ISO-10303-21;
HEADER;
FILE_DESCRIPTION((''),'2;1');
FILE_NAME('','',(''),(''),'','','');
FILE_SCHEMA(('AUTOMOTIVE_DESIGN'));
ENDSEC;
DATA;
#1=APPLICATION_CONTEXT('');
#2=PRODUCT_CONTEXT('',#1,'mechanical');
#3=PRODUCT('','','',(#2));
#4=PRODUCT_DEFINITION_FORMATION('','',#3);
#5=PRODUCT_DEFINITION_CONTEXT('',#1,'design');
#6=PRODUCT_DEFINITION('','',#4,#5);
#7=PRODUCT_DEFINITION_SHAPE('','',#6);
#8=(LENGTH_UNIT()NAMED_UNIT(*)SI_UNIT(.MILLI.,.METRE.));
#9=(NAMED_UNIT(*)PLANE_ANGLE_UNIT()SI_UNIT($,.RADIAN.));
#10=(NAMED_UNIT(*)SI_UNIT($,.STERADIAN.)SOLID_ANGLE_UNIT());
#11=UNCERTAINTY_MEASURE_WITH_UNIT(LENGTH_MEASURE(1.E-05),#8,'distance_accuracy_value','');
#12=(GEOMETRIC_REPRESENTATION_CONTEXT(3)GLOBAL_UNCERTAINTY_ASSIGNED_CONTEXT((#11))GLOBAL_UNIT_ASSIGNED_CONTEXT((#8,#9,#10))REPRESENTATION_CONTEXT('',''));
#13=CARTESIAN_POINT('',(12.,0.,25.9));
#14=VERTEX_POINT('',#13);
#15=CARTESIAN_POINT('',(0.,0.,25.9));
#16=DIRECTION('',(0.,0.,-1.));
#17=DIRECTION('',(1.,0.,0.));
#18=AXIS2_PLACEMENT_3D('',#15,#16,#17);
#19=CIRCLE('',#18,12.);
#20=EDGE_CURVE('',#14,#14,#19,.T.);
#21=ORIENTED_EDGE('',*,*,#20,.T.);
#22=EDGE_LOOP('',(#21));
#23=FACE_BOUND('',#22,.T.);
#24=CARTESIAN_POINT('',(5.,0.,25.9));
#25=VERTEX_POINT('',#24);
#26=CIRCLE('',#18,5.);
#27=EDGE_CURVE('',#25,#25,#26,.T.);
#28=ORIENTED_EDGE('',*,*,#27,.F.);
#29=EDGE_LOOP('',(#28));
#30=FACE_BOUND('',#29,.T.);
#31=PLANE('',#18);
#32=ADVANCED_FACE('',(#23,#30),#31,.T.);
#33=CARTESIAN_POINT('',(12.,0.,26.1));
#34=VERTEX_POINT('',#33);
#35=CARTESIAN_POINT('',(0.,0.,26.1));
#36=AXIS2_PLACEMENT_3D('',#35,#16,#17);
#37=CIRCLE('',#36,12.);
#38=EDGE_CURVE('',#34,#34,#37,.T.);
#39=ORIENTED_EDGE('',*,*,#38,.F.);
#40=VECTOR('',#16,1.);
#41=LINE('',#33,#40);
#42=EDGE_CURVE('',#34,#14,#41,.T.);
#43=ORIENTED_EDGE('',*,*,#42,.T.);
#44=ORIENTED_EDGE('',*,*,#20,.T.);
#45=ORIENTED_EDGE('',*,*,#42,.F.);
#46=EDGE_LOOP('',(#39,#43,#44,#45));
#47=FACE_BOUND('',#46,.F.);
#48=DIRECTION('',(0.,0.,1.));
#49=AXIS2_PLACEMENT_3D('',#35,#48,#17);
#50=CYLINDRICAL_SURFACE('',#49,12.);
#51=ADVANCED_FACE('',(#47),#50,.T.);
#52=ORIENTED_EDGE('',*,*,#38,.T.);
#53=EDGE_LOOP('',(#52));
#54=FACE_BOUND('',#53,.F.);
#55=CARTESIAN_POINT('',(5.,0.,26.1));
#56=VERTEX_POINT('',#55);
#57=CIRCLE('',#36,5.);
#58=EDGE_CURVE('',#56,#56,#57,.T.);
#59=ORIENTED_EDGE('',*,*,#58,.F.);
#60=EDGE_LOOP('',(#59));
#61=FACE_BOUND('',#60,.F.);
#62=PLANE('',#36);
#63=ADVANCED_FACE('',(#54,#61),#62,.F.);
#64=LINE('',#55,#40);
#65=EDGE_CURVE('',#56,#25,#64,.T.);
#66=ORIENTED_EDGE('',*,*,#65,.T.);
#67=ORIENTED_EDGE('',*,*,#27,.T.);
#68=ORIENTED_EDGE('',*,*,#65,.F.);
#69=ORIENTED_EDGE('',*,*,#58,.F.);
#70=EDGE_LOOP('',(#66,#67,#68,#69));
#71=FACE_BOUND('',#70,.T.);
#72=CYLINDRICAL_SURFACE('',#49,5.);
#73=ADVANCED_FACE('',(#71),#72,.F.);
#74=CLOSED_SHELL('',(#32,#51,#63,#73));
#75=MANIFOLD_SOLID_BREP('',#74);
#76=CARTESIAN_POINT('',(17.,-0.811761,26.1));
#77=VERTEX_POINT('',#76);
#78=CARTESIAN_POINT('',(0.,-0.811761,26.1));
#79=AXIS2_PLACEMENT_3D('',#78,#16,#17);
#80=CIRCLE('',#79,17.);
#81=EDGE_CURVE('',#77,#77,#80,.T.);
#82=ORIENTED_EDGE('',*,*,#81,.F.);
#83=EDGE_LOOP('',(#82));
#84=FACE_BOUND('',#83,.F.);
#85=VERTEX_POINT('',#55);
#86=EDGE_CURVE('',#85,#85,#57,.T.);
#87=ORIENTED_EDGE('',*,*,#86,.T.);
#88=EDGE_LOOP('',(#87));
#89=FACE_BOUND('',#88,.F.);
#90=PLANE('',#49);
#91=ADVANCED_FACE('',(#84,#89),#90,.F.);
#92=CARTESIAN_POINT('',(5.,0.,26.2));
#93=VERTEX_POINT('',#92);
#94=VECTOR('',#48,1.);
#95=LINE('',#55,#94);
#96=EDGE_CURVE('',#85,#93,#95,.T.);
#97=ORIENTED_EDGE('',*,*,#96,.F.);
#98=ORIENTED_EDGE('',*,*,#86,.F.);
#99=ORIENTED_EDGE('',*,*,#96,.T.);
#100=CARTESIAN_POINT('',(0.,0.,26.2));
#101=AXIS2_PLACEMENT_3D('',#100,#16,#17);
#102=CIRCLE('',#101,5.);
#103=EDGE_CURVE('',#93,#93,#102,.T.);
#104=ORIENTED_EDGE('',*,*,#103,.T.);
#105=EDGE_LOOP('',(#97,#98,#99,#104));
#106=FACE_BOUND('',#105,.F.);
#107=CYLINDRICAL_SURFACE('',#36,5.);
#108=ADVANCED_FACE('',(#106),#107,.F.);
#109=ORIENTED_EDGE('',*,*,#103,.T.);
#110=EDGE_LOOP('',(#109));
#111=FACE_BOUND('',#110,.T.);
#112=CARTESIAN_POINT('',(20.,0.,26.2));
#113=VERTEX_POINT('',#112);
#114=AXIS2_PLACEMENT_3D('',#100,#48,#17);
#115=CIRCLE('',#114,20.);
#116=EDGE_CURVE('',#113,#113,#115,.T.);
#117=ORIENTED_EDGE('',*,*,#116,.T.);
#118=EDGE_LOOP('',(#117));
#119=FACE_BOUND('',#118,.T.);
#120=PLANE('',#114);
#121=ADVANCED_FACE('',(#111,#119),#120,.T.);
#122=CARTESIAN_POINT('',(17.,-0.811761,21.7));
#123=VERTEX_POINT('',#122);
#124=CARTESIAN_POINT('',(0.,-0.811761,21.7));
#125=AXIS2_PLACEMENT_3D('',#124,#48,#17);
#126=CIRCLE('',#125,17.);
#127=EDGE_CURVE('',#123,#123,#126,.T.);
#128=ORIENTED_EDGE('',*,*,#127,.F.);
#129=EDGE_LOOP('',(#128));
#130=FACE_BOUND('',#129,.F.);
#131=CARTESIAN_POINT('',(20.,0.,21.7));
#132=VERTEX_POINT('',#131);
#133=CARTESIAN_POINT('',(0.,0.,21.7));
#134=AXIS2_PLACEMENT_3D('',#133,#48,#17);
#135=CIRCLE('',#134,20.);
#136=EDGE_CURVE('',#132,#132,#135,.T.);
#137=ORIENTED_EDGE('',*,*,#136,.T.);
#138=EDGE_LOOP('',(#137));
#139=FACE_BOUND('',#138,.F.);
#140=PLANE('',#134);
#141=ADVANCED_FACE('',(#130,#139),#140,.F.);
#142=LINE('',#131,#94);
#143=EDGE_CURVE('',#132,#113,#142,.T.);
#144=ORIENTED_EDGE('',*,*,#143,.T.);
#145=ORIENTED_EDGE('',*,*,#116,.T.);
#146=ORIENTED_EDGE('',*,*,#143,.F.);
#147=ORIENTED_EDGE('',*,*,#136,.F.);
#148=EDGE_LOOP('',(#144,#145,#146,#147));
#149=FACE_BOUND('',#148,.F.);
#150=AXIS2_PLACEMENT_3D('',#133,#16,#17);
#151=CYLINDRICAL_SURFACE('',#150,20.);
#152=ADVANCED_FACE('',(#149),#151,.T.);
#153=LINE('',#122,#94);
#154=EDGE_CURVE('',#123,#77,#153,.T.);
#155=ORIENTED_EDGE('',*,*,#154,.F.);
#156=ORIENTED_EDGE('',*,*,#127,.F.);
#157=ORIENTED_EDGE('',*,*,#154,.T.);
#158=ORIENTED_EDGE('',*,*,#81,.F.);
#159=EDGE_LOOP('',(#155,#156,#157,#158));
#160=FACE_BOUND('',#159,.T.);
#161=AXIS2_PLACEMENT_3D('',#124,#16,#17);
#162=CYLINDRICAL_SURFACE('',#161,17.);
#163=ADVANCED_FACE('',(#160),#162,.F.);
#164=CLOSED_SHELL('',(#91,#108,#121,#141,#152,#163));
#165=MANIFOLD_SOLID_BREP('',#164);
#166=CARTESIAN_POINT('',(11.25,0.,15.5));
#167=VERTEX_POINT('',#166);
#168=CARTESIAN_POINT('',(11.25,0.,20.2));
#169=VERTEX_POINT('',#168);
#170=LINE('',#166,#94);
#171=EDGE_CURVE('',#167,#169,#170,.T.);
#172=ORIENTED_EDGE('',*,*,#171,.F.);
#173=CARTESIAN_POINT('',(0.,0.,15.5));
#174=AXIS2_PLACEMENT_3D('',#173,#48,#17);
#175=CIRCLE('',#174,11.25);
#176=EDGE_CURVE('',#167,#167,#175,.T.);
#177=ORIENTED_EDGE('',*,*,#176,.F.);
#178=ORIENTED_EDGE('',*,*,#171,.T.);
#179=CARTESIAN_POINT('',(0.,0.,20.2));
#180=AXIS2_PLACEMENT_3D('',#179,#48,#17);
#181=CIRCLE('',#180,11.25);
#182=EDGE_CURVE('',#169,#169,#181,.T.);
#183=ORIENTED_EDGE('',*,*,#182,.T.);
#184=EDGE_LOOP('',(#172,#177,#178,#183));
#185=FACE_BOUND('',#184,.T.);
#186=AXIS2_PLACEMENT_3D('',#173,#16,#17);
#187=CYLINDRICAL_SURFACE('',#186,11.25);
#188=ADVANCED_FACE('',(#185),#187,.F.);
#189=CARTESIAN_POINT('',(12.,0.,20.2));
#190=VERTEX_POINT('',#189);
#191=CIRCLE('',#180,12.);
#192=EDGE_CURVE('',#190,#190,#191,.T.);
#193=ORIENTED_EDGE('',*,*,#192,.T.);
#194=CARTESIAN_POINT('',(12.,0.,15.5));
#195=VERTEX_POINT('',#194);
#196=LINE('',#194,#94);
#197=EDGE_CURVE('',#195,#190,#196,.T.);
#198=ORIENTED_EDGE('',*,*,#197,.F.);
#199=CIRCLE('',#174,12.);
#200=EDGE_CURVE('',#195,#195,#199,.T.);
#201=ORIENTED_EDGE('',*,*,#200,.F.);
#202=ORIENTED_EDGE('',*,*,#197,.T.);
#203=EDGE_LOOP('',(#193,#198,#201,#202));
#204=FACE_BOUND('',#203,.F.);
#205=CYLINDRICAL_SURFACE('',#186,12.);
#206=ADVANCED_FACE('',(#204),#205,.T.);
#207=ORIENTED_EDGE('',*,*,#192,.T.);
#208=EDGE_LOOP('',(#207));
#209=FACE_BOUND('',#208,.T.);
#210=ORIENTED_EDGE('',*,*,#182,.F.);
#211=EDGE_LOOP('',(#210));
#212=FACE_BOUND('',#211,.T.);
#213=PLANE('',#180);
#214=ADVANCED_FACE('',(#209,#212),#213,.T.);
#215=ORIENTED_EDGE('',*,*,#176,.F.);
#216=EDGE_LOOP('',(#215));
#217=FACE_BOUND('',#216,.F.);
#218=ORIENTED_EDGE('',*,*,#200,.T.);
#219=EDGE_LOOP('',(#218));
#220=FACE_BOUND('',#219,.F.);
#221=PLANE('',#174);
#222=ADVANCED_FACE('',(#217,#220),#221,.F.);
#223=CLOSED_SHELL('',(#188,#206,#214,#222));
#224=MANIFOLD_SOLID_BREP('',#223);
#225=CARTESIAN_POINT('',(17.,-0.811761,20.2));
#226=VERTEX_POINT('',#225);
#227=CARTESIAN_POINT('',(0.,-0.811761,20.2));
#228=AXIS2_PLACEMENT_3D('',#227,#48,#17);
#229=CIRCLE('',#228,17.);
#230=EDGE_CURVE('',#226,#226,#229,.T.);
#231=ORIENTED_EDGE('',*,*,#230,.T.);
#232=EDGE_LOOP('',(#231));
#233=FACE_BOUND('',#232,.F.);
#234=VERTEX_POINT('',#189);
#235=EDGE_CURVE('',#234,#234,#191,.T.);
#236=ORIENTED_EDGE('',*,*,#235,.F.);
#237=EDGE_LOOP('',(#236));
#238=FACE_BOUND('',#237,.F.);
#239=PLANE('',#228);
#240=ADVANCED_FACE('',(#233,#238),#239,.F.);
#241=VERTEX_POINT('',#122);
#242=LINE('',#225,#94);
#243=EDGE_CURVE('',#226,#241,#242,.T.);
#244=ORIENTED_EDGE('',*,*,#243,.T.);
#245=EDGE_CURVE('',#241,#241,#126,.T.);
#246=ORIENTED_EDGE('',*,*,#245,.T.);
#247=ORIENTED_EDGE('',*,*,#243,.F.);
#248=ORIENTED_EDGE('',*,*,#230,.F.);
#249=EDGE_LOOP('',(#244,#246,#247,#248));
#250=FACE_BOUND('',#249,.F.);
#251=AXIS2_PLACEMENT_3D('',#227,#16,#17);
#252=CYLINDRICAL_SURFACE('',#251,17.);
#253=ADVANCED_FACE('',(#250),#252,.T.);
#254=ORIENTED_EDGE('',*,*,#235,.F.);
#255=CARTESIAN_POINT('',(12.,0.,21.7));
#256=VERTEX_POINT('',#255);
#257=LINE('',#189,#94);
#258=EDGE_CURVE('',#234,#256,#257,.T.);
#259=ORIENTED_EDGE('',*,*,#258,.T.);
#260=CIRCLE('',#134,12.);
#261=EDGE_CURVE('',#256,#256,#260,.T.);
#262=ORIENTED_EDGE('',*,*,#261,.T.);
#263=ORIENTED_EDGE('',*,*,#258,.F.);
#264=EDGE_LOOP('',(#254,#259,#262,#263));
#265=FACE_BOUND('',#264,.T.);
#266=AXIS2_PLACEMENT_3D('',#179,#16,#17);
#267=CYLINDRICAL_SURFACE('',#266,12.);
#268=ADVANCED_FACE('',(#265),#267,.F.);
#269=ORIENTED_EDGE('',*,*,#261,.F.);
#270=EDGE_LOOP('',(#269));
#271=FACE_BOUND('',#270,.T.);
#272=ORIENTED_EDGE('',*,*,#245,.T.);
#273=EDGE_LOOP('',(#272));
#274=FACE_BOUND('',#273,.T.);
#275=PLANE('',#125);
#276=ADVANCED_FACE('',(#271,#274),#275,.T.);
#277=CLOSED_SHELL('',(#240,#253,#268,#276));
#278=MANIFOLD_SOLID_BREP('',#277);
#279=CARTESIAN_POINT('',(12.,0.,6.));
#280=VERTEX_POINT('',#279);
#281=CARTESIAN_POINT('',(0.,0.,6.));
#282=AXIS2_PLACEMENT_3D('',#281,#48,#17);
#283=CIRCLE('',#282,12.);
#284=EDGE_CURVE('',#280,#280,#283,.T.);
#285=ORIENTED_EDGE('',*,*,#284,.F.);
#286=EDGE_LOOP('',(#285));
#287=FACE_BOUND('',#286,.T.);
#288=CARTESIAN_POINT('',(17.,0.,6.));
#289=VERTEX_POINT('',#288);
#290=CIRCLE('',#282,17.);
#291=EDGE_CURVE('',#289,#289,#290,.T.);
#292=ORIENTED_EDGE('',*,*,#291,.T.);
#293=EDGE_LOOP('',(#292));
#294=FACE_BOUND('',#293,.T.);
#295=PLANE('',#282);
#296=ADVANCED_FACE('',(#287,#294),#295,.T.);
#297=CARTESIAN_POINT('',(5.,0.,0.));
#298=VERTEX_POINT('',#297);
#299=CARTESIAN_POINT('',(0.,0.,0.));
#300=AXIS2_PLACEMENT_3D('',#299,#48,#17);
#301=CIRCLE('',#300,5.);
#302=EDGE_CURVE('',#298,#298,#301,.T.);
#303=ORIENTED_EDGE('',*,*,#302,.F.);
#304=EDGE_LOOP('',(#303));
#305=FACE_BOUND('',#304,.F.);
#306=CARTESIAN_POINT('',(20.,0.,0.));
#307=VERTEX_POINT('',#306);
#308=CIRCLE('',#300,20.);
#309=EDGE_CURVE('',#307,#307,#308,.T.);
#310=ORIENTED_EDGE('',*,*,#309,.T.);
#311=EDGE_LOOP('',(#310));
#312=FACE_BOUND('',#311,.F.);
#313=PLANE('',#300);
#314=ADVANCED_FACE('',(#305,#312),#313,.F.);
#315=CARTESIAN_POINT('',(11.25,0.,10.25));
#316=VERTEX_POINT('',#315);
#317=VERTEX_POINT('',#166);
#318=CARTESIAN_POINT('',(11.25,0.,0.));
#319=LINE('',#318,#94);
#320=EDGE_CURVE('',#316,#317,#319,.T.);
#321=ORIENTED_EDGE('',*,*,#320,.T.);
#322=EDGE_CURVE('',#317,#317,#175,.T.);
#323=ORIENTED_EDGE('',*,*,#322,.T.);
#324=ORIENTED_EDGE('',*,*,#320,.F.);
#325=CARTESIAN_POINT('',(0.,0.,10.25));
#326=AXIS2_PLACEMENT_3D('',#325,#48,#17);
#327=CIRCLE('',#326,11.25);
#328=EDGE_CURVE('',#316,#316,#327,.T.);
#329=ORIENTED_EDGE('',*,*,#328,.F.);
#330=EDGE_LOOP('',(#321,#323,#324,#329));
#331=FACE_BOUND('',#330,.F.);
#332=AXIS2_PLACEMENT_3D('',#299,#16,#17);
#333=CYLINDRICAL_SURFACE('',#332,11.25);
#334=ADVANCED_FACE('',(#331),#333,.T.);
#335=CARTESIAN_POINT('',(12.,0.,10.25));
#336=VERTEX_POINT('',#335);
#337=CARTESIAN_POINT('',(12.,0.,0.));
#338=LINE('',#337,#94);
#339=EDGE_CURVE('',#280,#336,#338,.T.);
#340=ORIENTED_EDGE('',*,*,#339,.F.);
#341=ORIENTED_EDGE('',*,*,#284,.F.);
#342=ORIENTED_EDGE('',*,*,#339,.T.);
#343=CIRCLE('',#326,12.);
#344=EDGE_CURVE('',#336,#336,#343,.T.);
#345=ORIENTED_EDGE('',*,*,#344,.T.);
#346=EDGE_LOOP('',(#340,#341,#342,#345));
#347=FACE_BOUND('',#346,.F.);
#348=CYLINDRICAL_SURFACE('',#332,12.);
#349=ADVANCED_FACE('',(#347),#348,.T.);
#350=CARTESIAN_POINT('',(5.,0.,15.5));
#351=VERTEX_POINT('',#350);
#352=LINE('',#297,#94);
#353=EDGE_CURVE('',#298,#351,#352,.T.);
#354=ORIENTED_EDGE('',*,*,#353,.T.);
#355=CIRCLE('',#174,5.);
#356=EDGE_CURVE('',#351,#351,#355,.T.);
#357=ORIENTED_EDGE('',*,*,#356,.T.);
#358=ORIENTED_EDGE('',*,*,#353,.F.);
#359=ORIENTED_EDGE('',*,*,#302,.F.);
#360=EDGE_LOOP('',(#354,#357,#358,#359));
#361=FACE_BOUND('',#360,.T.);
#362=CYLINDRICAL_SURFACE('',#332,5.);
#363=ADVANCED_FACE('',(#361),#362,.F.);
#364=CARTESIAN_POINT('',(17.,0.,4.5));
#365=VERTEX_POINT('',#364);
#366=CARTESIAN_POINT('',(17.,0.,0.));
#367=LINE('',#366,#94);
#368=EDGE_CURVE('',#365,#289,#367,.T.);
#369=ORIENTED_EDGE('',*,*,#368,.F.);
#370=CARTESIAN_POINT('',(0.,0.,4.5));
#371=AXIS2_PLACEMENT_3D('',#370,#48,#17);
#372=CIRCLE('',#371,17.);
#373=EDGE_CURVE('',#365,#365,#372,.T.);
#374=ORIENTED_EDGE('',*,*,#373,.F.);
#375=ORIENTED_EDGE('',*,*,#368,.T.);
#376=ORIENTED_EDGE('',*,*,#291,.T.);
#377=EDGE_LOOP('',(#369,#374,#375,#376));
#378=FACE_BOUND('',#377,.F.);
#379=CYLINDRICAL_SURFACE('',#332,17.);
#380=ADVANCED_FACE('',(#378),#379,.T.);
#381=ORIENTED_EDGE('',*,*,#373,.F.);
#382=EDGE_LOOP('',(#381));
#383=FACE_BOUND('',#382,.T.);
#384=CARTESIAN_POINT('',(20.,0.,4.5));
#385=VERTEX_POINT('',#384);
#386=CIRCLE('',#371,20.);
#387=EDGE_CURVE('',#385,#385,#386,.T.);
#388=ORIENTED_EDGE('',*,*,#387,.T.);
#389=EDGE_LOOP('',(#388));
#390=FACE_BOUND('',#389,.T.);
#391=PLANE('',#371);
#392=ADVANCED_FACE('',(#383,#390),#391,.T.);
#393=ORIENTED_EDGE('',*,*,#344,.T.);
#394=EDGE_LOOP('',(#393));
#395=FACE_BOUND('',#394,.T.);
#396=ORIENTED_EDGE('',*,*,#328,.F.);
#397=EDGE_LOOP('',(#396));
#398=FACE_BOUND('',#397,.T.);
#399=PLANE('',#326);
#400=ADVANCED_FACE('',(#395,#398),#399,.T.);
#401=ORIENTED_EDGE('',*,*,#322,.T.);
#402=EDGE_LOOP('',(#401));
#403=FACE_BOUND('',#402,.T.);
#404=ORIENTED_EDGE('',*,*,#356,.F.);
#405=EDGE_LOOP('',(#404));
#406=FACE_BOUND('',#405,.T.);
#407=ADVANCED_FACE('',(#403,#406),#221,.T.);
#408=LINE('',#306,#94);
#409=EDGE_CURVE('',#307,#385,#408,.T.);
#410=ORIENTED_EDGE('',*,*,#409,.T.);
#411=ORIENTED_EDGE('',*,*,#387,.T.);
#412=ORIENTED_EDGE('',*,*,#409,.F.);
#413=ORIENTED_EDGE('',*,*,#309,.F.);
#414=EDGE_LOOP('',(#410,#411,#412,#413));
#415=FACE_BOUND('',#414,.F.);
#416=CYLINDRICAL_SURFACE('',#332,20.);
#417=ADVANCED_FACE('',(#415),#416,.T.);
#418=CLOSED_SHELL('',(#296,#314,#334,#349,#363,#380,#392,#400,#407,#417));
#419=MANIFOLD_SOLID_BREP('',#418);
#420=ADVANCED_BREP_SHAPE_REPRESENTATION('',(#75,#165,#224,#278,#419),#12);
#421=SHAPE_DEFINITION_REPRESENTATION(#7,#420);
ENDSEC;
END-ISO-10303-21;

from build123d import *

# Parameters (mm, degrees)
F0_R      = 20
F0_R_2    = 17
F1_DEPTH  = 4.5
F0_R_3    = 12
F2_DEPTH  = 6
F0_R_4    = 11.25
F3_DEPTH  = 10.25
F0_R_5    = 5
F4_DEPTH  = 15.5
F5_R      = 12
F5_R_2    = 11.25
F6_DEPTH  = 4.7
F7_R      = 17
F7_R_2    = 12
F8_DEPTH  = 1.5
F9_R      = 20
F9_R_2    = 17
F10_DEPTH = 4.5
F11_R     = 20
F12_DEPTH = 0.1
F13_R     = 5
F14_DEPTH = 79
F15_R     = 12
F15_R_2   = 5
F16_DEPTH = 0.2


with BuildPart() as f1:
    # F0 (on Top) → F1 (new body)
    with BuildSketch(Plane.XY):
        Circle(F0_R)
        Circle(F0_R_2, mode=Mode.SUBTRACT)
    extrude(amount=F1_DEPTH)

    # F0 (on Top) → F2 (join)
    with BuildSketch(Plane.XY):
        Circle(F0_R_2)
        Circle(F0_R_3, mode=Mode.SUBTRACT)
    extrude(amount=F2_DEPTH)

    # F0 (on Top) → F3 (join)
    with BuildSketch(Plane.XY):
        Circle(F0_R_3)
        Circle(F0_R_4, mode=Mode.SUBTRACT)
    extrude(amount=F3_DEPTH)

    # F0 (on Top) → F4 (join)
    with BuildSketch(Plane.XY):
        Circle(F0_R_4)
        Circle(F0_R_5, mode=Mode.SUBTRACT)
    extrude(amount=F4_DEPTH)

    # F5 (on face) → F6 (join)
    with BuildSketch(Plane.XY.offset(15.5)):
        Circle(F5_R)
        Circle(F5_R_2, mode=Mode.SUBTRACT)
    extrude(amount=F6_DEPTH)


with BuildPart() as f8:
    # F7 (on face) → F8 (new body)
    with BuildSketch(Plane.XY.offset(20.2)):
        with Locations((0, -0.8117613615)):
            Circle(F7_R)
        Circle(F7_R_2, mode=Mode.SUBTRACT)
    extrude(amount=F8_DEPTH)


with BuildPart() as f10:
    # F9 (on face) → F10 (new body)
    with BuildSketch(Plane.XY.offset(21.7)):
        Circle(F9_R)
        with Locations((0, -0.8117613615)):
            Circle(F9_R_2, mode=Mode.SUBTRACT)
    extrude(amount=F10_DEPTH)

    # F11 (on face) → F12 (join)
    with BuildSketch(Plane.XY.offset(26.2)):
        Circle(F11_R)
    extrude(amount=-F12_DEPTH)

    # F13 (on face) → F14 (cut)
    with BuildSketch(Plane(origin=(0, 0, 26.1), x_dir=(1, 0, 0), z_dir=(0, 0, -1))):
        Circle(F13_R)
    extrude(amount=-F14_DEPTH, mode=Mode.SUBTRACT)


with BuildPart() as f16:
    # F15 (on face) → F16 (new body)
    with BuildSketch(Plane(origin=(0, 0, 26.1), x_dir=(1, 0, 0), z_dir=(0, 0, -1))):
        Circle(F15_R)
        Circle(F15_R_2, mode=Mode.SUBTRACT)
    extrude(amount=F16_DEPTH)


solid = Compound([f1.part, f8.part, f10.part, f16.part])
